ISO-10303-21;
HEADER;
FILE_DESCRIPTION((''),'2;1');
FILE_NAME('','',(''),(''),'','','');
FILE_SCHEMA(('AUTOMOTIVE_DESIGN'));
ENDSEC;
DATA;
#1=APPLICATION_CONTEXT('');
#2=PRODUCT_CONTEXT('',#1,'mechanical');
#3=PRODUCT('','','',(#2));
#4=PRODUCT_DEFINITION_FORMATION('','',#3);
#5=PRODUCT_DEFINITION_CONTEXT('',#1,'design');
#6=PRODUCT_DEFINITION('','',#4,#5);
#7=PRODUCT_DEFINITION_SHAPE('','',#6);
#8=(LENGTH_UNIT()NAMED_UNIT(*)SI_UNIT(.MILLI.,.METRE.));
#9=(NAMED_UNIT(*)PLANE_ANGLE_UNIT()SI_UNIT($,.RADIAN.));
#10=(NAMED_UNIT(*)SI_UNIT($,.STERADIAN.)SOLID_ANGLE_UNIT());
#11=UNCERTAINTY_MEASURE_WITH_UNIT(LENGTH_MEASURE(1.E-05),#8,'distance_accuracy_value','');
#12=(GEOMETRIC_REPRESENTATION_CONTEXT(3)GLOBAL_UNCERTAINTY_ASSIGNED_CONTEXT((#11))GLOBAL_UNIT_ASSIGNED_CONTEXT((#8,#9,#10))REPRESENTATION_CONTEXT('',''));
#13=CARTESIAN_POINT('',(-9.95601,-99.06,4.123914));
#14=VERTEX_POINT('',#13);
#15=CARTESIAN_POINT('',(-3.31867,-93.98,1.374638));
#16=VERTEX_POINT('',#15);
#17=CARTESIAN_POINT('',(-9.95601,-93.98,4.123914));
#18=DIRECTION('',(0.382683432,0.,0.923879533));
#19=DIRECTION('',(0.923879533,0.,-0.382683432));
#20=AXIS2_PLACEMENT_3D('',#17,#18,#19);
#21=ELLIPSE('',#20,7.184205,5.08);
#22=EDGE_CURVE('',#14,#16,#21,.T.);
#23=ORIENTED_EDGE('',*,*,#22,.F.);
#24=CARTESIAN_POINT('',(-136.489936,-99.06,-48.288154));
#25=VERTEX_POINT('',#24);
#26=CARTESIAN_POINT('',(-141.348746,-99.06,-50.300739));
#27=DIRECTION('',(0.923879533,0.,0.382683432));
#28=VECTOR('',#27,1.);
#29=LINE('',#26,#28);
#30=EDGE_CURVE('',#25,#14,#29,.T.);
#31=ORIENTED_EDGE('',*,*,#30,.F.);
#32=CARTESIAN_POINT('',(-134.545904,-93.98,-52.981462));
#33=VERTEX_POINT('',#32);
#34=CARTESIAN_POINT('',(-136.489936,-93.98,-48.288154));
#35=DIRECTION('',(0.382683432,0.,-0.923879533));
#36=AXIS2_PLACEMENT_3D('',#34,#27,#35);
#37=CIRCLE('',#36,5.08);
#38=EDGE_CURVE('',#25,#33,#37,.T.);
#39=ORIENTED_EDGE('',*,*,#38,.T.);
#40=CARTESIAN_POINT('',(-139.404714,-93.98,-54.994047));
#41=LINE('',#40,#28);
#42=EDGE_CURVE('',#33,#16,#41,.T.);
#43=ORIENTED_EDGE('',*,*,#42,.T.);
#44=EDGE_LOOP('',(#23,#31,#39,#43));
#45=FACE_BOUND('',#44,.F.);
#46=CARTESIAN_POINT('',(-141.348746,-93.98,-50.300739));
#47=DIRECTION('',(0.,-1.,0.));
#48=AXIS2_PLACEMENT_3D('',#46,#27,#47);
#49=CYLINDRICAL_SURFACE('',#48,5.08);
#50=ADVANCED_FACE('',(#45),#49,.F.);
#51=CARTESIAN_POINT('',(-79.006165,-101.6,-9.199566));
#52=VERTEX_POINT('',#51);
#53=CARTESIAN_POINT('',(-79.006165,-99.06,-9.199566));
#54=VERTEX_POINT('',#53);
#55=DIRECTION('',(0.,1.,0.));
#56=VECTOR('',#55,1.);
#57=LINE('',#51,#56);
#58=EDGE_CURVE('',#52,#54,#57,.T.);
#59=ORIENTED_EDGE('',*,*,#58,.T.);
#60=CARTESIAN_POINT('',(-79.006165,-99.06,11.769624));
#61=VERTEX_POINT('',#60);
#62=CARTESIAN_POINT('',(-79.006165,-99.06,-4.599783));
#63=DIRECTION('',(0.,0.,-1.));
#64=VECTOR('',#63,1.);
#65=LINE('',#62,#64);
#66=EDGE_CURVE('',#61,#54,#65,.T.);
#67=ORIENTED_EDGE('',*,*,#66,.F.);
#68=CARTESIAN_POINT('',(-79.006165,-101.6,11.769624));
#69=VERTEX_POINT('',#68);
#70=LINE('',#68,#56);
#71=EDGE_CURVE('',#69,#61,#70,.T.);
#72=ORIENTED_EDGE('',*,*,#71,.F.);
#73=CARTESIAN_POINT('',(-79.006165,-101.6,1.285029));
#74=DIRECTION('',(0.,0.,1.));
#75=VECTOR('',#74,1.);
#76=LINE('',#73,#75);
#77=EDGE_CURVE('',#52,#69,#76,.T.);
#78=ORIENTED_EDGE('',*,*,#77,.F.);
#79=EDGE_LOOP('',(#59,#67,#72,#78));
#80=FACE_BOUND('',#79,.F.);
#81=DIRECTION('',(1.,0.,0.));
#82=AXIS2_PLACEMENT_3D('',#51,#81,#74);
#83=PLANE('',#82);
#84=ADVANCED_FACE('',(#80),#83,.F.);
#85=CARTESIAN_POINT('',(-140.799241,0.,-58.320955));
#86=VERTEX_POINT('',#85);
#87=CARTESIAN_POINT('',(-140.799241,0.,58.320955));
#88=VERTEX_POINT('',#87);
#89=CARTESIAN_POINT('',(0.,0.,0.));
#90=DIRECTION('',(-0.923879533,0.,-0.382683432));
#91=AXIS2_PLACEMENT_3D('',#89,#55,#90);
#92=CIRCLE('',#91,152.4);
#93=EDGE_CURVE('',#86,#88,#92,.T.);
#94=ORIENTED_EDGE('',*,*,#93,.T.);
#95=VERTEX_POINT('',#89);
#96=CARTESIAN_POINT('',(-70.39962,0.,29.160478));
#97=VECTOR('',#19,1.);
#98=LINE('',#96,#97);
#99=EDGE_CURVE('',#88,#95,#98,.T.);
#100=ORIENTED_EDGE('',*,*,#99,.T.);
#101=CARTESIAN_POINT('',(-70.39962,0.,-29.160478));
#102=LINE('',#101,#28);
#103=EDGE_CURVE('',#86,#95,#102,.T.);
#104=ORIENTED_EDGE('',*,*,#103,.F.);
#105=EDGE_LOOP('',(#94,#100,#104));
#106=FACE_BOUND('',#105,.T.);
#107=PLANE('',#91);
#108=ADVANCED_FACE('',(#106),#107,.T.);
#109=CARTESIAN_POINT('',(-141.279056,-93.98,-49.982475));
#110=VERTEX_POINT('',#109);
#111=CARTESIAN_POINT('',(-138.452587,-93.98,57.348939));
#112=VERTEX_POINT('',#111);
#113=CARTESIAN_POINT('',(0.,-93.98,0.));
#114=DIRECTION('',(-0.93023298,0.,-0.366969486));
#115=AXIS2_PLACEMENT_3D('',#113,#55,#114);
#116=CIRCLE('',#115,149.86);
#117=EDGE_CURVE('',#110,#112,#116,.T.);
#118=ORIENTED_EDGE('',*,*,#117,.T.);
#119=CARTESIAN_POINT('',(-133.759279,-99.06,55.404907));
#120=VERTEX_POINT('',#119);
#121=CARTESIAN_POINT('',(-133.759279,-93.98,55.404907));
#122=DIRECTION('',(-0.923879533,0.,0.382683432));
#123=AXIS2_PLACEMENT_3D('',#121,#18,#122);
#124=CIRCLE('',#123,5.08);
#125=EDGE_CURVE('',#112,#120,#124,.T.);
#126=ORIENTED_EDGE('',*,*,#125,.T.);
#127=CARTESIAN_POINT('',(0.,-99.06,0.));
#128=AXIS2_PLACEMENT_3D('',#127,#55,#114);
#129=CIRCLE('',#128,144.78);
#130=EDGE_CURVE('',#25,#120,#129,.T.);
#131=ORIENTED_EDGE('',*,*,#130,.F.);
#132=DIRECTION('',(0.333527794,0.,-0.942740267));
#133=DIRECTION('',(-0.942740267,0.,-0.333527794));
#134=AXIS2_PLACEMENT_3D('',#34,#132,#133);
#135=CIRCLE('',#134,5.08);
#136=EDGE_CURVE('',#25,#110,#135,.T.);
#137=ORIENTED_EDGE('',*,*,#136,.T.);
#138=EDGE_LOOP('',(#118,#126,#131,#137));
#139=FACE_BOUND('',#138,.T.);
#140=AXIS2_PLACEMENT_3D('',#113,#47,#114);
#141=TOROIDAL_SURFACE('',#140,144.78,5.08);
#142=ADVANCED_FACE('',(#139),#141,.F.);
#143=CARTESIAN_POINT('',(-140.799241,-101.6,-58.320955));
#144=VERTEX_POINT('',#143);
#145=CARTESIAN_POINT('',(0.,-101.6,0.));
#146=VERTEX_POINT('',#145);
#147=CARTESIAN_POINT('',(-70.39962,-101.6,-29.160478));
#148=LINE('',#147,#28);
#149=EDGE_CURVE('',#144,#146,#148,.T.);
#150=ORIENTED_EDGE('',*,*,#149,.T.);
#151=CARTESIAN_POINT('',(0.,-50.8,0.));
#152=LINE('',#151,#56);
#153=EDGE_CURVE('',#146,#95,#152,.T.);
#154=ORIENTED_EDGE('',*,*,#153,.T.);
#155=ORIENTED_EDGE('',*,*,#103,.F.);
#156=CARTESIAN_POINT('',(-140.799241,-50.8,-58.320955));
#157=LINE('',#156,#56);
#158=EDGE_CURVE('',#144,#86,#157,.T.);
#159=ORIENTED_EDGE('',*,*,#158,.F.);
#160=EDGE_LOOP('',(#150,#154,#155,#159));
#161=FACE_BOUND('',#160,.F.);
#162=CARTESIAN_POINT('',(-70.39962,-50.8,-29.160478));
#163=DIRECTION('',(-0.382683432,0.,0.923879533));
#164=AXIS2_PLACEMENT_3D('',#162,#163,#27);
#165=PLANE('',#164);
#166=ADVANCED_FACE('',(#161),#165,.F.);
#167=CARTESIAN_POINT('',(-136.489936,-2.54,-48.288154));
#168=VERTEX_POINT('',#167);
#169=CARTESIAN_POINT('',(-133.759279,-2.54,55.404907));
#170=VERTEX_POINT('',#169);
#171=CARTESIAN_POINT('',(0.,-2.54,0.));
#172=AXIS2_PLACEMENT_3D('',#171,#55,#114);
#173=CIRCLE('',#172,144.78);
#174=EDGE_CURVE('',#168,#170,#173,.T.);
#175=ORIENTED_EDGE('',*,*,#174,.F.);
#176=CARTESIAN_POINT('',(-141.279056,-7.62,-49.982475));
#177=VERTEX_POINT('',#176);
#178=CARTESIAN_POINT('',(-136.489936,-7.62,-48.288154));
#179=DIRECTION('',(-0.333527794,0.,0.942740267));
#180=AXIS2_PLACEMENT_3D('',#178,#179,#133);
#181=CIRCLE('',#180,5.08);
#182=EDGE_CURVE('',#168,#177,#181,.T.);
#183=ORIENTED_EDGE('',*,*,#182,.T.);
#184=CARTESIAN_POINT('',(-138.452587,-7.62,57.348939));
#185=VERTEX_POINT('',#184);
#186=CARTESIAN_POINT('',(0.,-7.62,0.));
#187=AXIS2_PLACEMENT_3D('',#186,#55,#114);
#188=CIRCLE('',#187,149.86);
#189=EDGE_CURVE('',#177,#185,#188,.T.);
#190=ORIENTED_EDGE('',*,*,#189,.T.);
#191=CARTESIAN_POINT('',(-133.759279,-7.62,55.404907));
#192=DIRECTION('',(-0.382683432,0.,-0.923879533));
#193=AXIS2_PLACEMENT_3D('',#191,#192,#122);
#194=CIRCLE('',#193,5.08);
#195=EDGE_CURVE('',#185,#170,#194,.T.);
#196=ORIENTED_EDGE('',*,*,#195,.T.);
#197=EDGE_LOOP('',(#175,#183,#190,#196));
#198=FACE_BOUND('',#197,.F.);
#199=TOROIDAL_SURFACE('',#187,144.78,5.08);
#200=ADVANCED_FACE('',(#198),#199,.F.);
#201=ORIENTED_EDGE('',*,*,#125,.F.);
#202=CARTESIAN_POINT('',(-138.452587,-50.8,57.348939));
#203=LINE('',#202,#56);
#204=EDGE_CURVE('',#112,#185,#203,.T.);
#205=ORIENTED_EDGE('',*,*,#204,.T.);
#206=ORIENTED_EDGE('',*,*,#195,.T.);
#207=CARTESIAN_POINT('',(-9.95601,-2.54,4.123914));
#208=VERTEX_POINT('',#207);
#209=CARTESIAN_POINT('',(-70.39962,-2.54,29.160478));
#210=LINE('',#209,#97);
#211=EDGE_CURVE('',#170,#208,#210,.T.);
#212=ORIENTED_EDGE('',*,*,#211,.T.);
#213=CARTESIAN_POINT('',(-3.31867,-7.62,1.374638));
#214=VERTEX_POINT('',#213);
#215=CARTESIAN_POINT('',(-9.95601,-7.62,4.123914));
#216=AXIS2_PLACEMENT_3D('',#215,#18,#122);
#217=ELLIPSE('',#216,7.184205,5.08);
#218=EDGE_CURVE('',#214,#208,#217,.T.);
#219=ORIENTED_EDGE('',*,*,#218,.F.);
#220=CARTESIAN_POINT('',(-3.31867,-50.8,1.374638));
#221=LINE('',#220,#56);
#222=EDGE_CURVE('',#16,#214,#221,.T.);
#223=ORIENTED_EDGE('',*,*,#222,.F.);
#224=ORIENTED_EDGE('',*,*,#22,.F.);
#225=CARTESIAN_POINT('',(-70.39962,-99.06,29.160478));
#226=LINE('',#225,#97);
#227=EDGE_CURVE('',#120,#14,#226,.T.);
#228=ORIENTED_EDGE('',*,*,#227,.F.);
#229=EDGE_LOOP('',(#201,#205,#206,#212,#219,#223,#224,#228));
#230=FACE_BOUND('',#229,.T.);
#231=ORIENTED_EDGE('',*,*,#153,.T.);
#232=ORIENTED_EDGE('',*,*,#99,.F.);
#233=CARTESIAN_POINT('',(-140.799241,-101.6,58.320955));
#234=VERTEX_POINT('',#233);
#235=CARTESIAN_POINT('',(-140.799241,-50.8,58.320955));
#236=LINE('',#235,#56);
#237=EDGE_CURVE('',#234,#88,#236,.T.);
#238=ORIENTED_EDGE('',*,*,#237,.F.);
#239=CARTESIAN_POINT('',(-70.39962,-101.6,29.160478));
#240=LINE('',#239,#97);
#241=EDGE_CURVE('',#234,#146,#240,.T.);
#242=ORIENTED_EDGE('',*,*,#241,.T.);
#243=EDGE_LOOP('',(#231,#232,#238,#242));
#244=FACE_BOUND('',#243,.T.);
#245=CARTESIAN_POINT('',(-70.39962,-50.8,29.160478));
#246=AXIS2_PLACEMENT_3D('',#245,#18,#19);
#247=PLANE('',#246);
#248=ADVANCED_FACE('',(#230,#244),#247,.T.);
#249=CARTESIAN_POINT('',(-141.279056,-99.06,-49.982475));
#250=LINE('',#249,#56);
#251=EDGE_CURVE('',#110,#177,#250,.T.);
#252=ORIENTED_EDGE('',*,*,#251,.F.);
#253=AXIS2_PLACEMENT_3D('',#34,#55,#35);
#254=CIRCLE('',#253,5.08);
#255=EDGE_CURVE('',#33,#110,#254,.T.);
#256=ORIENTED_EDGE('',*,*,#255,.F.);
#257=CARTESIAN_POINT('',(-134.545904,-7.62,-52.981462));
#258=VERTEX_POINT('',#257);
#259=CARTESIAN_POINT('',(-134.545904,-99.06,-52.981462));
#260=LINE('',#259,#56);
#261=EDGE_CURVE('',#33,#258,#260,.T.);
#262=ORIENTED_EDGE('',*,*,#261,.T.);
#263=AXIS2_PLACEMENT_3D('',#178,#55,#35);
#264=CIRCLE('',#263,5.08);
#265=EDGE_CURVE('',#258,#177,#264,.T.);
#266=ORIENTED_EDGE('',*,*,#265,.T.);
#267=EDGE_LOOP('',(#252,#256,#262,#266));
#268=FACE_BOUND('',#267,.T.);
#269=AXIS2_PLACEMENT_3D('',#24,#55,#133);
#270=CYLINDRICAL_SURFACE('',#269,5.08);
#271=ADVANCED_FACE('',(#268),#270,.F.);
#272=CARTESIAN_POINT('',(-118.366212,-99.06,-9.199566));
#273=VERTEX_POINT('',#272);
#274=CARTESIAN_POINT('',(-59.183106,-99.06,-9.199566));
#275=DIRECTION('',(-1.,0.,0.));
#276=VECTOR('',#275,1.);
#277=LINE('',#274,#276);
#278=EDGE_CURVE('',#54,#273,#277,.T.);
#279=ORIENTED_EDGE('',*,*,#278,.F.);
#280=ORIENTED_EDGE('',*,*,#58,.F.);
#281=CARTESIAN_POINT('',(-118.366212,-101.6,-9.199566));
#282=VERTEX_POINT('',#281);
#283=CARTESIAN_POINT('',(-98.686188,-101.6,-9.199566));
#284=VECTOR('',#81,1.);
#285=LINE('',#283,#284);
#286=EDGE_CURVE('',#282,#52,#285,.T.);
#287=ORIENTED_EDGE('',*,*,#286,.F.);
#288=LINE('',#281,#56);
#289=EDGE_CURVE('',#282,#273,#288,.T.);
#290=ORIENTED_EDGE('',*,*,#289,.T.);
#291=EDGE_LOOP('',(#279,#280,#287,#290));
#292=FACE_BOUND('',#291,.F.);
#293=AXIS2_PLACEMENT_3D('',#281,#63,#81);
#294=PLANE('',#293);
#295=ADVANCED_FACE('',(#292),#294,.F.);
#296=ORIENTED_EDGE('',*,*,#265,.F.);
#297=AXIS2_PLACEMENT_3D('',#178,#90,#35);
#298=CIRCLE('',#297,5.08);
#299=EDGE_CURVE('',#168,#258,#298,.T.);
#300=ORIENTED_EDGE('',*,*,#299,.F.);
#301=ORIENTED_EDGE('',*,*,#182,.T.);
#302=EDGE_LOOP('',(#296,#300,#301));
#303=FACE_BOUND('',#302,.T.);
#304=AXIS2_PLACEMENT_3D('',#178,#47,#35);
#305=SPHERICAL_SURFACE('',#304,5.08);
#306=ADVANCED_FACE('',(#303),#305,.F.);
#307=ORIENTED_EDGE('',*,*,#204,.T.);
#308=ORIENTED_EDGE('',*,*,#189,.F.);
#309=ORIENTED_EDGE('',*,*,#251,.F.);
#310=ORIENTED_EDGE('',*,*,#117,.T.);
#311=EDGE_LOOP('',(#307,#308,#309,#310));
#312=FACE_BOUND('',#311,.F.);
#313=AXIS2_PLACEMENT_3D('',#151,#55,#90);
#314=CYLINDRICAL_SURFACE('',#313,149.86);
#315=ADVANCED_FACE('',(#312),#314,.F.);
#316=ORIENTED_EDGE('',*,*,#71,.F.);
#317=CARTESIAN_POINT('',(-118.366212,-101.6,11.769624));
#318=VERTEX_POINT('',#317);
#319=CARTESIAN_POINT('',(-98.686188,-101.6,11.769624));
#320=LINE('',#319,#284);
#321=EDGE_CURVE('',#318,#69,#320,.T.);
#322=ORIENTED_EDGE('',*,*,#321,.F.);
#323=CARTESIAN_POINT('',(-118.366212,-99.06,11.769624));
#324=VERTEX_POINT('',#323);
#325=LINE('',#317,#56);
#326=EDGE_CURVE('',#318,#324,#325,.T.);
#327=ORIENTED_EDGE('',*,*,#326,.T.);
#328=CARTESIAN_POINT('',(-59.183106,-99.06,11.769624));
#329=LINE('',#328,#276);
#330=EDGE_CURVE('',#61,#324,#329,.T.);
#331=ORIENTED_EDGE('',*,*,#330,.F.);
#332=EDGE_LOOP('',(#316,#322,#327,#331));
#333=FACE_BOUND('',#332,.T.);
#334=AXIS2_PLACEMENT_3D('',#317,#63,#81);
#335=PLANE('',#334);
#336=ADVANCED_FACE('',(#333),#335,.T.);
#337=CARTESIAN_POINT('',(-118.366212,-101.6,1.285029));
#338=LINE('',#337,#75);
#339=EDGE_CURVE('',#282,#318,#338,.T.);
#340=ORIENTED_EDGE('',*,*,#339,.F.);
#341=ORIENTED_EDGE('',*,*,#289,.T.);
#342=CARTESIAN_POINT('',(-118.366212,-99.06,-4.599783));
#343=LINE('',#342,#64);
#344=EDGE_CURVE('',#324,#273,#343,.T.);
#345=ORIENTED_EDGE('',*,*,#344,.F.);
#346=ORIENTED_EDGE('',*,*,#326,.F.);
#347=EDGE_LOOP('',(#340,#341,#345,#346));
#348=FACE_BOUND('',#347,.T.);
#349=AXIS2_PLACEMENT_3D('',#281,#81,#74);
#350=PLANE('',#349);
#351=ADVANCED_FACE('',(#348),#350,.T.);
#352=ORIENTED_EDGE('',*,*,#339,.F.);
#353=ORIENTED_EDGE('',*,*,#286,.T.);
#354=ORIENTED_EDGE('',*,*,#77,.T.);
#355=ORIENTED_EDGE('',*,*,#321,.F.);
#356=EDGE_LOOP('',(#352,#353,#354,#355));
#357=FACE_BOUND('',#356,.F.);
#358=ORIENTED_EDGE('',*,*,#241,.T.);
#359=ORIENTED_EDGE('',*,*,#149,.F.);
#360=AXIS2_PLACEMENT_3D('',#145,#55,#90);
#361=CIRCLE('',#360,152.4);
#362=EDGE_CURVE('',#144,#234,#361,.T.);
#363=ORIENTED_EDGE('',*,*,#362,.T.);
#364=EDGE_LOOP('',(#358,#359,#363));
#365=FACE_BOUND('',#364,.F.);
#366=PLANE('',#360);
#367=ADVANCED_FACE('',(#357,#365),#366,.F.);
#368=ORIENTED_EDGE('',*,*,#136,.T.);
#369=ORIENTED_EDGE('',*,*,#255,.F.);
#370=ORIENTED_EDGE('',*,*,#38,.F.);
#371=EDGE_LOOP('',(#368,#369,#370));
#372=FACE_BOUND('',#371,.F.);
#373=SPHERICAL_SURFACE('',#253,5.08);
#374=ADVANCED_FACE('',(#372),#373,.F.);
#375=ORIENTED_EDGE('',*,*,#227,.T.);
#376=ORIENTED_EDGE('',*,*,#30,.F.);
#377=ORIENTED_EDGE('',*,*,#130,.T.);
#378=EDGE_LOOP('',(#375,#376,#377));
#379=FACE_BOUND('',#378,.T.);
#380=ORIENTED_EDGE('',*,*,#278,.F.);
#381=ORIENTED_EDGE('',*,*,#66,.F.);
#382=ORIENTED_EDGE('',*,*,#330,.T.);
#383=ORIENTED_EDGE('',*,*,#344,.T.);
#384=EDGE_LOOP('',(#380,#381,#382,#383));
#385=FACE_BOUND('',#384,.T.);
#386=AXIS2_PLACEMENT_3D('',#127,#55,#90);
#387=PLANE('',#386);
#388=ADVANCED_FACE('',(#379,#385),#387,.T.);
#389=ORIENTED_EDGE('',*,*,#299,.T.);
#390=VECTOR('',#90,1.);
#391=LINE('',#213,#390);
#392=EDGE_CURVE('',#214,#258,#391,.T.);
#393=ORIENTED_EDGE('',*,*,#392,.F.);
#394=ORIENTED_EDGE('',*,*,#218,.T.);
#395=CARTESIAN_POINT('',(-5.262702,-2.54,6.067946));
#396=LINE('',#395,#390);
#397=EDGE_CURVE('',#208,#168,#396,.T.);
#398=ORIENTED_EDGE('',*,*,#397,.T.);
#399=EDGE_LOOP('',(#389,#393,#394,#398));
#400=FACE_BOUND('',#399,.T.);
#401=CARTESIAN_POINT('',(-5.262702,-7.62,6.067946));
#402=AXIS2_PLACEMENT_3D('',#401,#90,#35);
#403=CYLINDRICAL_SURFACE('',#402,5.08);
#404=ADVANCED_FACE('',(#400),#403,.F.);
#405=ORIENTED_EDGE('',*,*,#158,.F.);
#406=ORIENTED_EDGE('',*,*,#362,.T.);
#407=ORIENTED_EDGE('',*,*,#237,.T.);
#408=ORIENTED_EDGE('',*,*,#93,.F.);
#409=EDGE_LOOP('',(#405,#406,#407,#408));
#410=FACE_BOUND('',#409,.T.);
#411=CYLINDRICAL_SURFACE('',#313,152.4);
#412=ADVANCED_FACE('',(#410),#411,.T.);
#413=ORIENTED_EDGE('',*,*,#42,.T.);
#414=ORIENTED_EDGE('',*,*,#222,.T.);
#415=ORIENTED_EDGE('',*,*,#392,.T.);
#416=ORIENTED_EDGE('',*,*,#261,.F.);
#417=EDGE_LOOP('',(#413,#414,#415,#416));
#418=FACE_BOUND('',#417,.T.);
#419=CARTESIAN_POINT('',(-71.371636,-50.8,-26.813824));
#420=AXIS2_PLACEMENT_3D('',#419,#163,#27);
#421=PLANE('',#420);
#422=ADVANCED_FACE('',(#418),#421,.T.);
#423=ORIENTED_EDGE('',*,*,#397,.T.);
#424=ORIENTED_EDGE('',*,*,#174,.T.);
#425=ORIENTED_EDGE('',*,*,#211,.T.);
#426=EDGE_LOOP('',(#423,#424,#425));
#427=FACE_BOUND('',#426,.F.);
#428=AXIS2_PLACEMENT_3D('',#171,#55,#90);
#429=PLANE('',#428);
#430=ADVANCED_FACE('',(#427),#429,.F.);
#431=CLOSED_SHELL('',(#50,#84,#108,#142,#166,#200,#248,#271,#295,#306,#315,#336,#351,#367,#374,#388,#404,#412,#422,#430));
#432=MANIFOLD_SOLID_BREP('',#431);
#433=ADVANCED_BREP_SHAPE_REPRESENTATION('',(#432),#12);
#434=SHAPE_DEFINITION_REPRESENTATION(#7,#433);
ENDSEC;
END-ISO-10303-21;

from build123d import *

# Parameters (mm, degrees)
F0_W          = 152.4
F0_H          = 101.6
F1_ANGLE_BACK = 22.5
F1_ANGLE      = 45
F2_T          = -2.54
F3_R          = 5.08
F4_W          = 39.3600463867
F4_H          = 20.9691906348
F5_DEPTH      = 25.4


with BuildPart() as f1:
    # F0 (on Top) → F1 (revolve)
    with BuildSketch(Plane.XY, mode=Mode.PRIVATE) as f1_sk:
        with Locations((-76.2, -50.8)):
            Rectangle(F0_W, F0_H)
    revolve(f1_sk.sketch.rotate(Axis((0, -50.8, 0), (0, 1, 0)), -F1_ANGLE_BACK), axis=Axis((0, -50.8, 0), (0, 1, 0)), revolution_arc=F1_ANGLE)

    # F2
    f2_openings = [f1.faces().sort_by_distance(p)[0] for p in [
        (-70.39962, -50.8, 29.160478),
    ]]
    offset(amount=F2_T, openings=f2_openings)

    # F3
    f3_edges = [f1.edges().sort_by_distance(p)[0] for p in [
        (-71.361692, -99.06, -26.809705),
        (-149.854618, -99.06, 1.270046),
        (-139.404714, -50.8, -54.994047),
        (-71.361692, -2.54, -26.809705),
        (-149.854618, -2.54, 1.270046),
    ]]
    fillet(f3_edges, radius=F3_R)

    # F4 (on face) → F5 (cut)
    with BuildSketch(Plane.XZ.offset(101.6)):
        with Locations((-98.6861884594, 1.2850291096)):
            Rectangle(F4_W, F4_H)
    extrude(amount=-F5_DEPTH, mode=Mode.SUBTRACT)


solid = f1.part
